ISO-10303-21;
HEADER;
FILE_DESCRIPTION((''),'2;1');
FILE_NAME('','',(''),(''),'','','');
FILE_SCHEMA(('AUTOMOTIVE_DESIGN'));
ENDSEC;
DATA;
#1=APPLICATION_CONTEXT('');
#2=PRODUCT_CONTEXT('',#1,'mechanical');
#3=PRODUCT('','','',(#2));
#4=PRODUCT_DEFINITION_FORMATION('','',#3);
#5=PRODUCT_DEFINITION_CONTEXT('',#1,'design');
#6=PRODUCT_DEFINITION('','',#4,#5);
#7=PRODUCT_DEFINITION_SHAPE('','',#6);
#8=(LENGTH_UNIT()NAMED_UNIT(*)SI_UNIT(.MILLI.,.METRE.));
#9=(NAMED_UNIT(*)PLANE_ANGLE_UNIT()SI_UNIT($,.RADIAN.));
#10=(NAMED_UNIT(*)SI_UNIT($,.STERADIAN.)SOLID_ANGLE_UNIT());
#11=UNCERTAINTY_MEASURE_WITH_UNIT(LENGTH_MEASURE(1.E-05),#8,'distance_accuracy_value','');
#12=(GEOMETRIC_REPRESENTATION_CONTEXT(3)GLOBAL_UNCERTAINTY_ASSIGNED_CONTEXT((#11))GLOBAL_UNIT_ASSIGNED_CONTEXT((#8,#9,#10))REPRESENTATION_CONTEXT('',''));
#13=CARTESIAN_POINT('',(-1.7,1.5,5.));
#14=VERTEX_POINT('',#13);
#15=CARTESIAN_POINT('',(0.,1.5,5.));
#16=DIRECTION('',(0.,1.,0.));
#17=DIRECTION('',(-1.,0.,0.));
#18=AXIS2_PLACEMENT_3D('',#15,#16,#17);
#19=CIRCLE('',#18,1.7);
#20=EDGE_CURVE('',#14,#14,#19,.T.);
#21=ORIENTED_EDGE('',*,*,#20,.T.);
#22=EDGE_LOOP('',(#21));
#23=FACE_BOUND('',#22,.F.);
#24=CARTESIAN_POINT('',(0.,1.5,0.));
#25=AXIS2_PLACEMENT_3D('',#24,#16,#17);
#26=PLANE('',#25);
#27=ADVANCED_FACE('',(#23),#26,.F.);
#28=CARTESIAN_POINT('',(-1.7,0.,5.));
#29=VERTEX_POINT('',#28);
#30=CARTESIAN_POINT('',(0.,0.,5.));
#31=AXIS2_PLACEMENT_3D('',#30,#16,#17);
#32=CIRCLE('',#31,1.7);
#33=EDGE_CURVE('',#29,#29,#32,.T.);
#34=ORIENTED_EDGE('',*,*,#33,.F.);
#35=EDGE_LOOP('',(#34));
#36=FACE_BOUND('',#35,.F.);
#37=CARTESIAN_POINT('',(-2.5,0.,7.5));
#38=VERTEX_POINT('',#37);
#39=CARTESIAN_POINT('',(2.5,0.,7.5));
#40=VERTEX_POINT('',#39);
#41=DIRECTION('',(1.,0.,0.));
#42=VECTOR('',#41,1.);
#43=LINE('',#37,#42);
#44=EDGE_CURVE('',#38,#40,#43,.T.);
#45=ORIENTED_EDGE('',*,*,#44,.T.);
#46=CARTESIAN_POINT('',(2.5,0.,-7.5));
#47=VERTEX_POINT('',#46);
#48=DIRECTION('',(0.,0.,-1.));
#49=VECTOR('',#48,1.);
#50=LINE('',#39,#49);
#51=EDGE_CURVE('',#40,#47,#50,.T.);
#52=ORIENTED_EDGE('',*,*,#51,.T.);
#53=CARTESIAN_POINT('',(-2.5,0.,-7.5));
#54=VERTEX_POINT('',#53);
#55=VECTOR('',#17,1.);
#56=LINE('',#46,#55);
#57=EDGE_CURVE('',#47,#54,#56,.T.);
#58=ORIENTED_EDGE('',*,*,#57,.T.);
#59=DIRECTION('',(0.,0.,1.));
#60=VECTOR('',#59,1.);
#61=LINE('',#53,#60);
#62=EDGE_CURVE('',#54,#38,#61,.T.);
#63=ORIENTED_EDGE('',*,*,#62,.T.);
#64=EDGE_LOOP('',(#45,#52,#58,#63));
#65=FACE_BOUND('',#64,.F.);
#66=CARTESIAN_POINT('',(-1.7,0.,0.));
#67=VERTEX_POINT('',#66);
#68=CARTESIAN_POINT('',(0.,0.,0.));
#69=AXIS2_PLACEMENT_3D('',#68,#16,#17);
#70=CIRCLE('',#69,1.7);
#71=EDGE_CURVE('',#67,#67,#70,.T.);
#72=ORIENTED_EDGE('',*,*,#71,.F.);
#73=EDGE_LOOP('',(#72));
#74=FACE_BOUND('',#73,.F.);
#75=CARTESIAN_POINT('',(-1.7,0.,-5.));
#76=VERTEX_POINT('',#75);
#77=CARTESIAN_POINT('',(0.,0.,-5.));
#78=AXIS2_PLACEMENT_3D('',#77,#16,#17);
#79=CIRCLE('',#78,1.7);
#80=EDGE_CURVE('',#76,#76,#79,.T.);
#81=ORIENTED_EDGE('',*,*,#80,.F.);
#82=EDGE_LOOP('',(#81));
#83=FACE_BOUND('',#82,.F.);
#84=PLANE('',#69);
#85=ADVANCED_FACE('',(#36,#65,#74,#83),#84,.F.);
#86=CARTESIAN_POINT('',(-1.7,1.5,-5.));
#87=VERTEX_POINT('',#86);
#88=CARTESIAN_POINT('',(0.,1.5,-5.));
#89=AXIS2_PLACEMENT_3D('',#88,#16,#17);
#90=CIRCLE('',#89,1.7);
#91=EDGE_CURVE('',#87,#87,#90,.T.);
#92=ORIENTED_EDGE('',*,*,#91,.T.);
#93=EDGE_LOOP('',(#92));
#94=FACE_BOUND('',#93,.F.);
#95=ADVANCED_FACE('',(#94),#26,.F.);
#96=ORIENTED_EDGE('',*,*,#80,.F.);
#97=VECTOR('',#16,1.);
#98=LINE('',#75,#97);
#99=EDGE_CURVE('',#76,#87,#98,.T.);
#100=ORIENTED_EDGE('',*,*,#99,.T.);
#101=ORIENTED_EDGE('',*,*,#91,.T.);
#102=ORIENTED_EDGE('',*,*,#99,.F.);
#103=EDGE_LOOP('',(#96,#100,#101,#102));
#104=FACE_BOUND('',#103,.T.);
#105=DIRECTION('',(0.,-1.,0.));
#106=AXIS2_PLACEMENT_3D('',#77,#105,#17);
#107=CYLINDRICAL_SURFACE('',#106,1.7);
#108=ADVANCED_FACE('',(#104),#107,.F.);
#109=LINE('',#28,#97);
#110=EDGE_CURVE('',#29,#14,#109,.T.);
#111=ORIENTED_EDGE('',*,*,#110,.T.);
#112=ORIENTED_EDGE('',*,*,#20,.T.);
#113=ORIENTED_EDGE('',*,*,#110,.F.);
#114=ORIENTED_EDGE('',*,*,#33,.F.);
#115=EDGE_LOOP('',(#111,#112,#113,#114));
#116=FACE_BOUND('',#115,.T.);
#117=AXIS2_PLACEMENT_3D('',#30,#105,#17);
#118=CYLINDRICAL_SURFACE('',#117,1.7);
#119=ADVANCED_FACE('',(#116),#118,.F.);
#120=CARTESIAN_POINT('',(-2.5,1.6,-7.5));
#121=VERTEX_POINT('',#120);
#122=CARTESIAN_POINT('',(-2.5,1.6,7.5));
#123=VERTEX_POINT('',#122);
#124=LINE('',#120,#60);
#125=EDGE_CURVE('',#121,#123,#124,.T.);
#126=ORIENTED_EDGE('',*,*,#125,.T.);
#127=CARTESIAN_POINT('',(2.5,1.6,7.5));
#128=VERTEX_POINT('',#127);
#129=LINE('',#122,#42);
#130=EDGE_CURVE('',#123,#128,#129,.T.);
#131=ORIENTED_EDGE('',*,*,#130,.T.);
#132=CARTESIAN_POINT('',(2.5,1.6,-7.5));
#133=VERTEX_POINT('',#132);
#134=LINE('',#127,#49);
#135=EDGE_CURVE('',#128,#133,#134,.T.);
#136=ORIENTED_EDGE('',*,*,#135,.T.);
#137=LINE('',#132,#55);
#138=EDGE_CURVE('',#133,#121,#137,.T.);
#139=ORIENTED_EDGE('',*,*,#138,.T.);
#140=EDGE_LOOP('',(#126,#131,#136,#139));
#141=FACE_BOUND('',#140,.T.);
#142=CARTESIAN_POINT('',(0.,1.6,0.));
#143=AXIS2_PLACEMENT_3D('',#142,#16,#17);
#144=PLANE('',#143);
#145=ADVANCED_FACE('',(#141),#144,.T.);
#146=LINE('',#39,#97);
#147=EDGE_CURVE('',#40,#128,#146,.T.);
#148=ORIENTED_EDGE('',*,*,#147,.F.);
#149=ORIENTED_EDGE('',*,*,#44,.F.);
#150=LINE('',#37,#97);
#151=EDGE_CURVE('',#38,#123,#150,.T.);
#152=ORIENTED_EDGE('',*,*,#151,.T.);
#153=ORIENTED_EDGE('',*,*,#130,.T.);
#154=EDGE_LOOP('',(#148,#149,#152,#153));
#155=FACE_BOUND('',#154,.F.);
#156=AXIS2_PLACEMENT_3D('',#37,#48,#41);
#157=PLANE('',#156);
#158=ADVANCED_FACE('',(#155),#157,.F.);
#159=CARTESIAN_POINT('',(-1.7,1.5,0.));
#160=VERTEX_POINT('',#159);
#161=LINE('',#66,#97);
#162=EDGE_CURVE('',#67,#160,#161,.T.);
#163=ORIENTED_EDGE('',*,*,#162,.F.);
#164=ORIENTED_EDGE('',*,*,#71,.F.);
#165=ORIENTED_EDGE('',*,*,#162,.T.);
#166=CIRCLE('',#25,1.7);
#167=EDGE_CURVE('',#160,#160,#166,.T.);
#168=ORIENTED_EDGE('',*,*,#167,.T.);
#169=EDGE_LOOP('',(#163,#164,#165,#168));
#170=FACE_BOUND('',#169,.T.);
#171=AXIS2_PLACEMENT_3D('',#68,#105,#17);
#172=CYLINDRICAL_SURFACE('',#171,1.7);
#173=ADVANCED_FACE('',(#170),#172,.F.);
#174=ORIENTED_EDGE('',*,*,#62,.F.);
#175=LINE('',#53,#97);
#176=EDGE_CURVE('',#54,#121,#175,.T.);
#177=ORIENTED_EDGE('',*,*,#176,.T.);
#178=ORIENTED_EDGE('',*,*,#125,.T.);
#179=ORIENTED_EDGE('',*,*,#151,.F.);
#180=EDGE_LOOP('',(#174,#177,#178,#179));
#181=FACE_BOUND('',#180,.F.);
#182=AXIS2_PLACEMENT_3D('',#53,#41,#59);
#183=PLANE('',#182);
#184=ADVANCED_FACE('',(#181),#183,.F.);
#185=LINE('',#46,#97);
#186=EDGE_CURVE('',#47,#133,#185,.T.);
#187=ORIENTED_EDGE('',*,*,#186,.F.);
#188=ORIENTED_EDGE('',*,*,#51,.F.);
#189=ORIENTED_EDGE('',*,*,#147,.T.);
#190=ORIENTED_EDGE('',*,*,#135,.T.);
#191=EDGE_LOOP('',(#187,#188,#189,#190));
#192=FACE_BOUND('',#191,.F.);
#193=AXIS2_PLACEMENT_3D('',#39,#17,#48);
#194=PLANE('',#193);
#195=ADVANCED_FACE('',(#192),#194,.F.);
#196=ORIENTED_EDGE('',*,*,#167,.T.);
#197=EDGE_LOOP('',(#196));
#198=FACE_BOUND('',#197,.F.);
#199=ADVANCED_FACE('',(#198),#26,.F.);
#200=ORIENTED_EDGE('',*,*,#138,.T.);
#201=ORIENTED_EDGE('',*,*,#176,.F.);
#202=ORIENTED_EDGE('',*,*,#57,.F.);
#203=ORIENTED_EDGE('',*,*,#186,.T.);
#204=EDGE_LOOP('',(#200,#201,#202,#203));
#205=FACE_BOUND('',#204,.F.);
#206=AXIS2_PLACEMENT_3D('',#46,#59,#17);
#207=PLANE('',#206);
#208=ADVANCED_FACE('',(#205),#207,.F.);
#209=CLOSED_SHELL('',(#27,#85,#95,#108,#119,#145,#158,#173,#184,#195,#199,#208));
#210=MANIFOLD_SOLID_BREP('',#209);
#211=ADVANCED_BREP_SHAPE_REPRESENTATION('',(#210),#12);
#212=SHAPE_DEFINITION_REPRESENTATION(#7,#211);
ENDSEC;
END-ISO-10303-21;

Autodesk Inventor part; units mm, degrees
ref_plane "YZ Plane" through (0, 0, 0) normal (1, 0, 0) x (0, 1, 0)
ref_plane "XZ Plane" through (0, 0, 0) normal (0, 1, 0) x (-1, 0, 0)
ref_plane "XY Plane" through (0, 0, 0) normal (0, 0, 1) x (1, 0, 0)
sketch "草圖1" plane through (0, 0, 0) normal (0, 1, 0) x (-1, 0, 0)
  line L0 (2.5, 7.5) -> (-2.5, 7.5)
  line L1 (-2.5, 7.5) -> (-2.5, -7.5)
  line L2 (-2.5, -7.5) -> (2.5, -7.5)
  line L3 (2.5, -7.5) -> (2.5, 7.5)
  circle A0 centre (0, 5) radius 1.7
  line L4 (2.5, 0) -> (-2.5, 0) construction
  circle A1 centre (0, -5) radius 1.7
  circle A2 centre (0, 0) radius 1.7
  point P0 (0, 7.5)
  dimension "d0" = 5
  dimension "d1" = 15
  dimension "d2" = 3.4
  dimension "d3" = 2.5
  dimension "d4" = 2.5
  dimension "d9" = 3.4
extrude "擠出1" add sketch "草圖1" along normal blind 1.6 contours L3 L2 L1 L0 | A0 | A1 | A2
extrude "擠出2" cut sketch "草圖1" along normal blind 1.5 contours A0 | A1
extrude "擠出3" cut sketch "草圖1" along normal blind 1.5 contours A2
properties part number "110033226_ipt_08_平滑面(2x1)"
